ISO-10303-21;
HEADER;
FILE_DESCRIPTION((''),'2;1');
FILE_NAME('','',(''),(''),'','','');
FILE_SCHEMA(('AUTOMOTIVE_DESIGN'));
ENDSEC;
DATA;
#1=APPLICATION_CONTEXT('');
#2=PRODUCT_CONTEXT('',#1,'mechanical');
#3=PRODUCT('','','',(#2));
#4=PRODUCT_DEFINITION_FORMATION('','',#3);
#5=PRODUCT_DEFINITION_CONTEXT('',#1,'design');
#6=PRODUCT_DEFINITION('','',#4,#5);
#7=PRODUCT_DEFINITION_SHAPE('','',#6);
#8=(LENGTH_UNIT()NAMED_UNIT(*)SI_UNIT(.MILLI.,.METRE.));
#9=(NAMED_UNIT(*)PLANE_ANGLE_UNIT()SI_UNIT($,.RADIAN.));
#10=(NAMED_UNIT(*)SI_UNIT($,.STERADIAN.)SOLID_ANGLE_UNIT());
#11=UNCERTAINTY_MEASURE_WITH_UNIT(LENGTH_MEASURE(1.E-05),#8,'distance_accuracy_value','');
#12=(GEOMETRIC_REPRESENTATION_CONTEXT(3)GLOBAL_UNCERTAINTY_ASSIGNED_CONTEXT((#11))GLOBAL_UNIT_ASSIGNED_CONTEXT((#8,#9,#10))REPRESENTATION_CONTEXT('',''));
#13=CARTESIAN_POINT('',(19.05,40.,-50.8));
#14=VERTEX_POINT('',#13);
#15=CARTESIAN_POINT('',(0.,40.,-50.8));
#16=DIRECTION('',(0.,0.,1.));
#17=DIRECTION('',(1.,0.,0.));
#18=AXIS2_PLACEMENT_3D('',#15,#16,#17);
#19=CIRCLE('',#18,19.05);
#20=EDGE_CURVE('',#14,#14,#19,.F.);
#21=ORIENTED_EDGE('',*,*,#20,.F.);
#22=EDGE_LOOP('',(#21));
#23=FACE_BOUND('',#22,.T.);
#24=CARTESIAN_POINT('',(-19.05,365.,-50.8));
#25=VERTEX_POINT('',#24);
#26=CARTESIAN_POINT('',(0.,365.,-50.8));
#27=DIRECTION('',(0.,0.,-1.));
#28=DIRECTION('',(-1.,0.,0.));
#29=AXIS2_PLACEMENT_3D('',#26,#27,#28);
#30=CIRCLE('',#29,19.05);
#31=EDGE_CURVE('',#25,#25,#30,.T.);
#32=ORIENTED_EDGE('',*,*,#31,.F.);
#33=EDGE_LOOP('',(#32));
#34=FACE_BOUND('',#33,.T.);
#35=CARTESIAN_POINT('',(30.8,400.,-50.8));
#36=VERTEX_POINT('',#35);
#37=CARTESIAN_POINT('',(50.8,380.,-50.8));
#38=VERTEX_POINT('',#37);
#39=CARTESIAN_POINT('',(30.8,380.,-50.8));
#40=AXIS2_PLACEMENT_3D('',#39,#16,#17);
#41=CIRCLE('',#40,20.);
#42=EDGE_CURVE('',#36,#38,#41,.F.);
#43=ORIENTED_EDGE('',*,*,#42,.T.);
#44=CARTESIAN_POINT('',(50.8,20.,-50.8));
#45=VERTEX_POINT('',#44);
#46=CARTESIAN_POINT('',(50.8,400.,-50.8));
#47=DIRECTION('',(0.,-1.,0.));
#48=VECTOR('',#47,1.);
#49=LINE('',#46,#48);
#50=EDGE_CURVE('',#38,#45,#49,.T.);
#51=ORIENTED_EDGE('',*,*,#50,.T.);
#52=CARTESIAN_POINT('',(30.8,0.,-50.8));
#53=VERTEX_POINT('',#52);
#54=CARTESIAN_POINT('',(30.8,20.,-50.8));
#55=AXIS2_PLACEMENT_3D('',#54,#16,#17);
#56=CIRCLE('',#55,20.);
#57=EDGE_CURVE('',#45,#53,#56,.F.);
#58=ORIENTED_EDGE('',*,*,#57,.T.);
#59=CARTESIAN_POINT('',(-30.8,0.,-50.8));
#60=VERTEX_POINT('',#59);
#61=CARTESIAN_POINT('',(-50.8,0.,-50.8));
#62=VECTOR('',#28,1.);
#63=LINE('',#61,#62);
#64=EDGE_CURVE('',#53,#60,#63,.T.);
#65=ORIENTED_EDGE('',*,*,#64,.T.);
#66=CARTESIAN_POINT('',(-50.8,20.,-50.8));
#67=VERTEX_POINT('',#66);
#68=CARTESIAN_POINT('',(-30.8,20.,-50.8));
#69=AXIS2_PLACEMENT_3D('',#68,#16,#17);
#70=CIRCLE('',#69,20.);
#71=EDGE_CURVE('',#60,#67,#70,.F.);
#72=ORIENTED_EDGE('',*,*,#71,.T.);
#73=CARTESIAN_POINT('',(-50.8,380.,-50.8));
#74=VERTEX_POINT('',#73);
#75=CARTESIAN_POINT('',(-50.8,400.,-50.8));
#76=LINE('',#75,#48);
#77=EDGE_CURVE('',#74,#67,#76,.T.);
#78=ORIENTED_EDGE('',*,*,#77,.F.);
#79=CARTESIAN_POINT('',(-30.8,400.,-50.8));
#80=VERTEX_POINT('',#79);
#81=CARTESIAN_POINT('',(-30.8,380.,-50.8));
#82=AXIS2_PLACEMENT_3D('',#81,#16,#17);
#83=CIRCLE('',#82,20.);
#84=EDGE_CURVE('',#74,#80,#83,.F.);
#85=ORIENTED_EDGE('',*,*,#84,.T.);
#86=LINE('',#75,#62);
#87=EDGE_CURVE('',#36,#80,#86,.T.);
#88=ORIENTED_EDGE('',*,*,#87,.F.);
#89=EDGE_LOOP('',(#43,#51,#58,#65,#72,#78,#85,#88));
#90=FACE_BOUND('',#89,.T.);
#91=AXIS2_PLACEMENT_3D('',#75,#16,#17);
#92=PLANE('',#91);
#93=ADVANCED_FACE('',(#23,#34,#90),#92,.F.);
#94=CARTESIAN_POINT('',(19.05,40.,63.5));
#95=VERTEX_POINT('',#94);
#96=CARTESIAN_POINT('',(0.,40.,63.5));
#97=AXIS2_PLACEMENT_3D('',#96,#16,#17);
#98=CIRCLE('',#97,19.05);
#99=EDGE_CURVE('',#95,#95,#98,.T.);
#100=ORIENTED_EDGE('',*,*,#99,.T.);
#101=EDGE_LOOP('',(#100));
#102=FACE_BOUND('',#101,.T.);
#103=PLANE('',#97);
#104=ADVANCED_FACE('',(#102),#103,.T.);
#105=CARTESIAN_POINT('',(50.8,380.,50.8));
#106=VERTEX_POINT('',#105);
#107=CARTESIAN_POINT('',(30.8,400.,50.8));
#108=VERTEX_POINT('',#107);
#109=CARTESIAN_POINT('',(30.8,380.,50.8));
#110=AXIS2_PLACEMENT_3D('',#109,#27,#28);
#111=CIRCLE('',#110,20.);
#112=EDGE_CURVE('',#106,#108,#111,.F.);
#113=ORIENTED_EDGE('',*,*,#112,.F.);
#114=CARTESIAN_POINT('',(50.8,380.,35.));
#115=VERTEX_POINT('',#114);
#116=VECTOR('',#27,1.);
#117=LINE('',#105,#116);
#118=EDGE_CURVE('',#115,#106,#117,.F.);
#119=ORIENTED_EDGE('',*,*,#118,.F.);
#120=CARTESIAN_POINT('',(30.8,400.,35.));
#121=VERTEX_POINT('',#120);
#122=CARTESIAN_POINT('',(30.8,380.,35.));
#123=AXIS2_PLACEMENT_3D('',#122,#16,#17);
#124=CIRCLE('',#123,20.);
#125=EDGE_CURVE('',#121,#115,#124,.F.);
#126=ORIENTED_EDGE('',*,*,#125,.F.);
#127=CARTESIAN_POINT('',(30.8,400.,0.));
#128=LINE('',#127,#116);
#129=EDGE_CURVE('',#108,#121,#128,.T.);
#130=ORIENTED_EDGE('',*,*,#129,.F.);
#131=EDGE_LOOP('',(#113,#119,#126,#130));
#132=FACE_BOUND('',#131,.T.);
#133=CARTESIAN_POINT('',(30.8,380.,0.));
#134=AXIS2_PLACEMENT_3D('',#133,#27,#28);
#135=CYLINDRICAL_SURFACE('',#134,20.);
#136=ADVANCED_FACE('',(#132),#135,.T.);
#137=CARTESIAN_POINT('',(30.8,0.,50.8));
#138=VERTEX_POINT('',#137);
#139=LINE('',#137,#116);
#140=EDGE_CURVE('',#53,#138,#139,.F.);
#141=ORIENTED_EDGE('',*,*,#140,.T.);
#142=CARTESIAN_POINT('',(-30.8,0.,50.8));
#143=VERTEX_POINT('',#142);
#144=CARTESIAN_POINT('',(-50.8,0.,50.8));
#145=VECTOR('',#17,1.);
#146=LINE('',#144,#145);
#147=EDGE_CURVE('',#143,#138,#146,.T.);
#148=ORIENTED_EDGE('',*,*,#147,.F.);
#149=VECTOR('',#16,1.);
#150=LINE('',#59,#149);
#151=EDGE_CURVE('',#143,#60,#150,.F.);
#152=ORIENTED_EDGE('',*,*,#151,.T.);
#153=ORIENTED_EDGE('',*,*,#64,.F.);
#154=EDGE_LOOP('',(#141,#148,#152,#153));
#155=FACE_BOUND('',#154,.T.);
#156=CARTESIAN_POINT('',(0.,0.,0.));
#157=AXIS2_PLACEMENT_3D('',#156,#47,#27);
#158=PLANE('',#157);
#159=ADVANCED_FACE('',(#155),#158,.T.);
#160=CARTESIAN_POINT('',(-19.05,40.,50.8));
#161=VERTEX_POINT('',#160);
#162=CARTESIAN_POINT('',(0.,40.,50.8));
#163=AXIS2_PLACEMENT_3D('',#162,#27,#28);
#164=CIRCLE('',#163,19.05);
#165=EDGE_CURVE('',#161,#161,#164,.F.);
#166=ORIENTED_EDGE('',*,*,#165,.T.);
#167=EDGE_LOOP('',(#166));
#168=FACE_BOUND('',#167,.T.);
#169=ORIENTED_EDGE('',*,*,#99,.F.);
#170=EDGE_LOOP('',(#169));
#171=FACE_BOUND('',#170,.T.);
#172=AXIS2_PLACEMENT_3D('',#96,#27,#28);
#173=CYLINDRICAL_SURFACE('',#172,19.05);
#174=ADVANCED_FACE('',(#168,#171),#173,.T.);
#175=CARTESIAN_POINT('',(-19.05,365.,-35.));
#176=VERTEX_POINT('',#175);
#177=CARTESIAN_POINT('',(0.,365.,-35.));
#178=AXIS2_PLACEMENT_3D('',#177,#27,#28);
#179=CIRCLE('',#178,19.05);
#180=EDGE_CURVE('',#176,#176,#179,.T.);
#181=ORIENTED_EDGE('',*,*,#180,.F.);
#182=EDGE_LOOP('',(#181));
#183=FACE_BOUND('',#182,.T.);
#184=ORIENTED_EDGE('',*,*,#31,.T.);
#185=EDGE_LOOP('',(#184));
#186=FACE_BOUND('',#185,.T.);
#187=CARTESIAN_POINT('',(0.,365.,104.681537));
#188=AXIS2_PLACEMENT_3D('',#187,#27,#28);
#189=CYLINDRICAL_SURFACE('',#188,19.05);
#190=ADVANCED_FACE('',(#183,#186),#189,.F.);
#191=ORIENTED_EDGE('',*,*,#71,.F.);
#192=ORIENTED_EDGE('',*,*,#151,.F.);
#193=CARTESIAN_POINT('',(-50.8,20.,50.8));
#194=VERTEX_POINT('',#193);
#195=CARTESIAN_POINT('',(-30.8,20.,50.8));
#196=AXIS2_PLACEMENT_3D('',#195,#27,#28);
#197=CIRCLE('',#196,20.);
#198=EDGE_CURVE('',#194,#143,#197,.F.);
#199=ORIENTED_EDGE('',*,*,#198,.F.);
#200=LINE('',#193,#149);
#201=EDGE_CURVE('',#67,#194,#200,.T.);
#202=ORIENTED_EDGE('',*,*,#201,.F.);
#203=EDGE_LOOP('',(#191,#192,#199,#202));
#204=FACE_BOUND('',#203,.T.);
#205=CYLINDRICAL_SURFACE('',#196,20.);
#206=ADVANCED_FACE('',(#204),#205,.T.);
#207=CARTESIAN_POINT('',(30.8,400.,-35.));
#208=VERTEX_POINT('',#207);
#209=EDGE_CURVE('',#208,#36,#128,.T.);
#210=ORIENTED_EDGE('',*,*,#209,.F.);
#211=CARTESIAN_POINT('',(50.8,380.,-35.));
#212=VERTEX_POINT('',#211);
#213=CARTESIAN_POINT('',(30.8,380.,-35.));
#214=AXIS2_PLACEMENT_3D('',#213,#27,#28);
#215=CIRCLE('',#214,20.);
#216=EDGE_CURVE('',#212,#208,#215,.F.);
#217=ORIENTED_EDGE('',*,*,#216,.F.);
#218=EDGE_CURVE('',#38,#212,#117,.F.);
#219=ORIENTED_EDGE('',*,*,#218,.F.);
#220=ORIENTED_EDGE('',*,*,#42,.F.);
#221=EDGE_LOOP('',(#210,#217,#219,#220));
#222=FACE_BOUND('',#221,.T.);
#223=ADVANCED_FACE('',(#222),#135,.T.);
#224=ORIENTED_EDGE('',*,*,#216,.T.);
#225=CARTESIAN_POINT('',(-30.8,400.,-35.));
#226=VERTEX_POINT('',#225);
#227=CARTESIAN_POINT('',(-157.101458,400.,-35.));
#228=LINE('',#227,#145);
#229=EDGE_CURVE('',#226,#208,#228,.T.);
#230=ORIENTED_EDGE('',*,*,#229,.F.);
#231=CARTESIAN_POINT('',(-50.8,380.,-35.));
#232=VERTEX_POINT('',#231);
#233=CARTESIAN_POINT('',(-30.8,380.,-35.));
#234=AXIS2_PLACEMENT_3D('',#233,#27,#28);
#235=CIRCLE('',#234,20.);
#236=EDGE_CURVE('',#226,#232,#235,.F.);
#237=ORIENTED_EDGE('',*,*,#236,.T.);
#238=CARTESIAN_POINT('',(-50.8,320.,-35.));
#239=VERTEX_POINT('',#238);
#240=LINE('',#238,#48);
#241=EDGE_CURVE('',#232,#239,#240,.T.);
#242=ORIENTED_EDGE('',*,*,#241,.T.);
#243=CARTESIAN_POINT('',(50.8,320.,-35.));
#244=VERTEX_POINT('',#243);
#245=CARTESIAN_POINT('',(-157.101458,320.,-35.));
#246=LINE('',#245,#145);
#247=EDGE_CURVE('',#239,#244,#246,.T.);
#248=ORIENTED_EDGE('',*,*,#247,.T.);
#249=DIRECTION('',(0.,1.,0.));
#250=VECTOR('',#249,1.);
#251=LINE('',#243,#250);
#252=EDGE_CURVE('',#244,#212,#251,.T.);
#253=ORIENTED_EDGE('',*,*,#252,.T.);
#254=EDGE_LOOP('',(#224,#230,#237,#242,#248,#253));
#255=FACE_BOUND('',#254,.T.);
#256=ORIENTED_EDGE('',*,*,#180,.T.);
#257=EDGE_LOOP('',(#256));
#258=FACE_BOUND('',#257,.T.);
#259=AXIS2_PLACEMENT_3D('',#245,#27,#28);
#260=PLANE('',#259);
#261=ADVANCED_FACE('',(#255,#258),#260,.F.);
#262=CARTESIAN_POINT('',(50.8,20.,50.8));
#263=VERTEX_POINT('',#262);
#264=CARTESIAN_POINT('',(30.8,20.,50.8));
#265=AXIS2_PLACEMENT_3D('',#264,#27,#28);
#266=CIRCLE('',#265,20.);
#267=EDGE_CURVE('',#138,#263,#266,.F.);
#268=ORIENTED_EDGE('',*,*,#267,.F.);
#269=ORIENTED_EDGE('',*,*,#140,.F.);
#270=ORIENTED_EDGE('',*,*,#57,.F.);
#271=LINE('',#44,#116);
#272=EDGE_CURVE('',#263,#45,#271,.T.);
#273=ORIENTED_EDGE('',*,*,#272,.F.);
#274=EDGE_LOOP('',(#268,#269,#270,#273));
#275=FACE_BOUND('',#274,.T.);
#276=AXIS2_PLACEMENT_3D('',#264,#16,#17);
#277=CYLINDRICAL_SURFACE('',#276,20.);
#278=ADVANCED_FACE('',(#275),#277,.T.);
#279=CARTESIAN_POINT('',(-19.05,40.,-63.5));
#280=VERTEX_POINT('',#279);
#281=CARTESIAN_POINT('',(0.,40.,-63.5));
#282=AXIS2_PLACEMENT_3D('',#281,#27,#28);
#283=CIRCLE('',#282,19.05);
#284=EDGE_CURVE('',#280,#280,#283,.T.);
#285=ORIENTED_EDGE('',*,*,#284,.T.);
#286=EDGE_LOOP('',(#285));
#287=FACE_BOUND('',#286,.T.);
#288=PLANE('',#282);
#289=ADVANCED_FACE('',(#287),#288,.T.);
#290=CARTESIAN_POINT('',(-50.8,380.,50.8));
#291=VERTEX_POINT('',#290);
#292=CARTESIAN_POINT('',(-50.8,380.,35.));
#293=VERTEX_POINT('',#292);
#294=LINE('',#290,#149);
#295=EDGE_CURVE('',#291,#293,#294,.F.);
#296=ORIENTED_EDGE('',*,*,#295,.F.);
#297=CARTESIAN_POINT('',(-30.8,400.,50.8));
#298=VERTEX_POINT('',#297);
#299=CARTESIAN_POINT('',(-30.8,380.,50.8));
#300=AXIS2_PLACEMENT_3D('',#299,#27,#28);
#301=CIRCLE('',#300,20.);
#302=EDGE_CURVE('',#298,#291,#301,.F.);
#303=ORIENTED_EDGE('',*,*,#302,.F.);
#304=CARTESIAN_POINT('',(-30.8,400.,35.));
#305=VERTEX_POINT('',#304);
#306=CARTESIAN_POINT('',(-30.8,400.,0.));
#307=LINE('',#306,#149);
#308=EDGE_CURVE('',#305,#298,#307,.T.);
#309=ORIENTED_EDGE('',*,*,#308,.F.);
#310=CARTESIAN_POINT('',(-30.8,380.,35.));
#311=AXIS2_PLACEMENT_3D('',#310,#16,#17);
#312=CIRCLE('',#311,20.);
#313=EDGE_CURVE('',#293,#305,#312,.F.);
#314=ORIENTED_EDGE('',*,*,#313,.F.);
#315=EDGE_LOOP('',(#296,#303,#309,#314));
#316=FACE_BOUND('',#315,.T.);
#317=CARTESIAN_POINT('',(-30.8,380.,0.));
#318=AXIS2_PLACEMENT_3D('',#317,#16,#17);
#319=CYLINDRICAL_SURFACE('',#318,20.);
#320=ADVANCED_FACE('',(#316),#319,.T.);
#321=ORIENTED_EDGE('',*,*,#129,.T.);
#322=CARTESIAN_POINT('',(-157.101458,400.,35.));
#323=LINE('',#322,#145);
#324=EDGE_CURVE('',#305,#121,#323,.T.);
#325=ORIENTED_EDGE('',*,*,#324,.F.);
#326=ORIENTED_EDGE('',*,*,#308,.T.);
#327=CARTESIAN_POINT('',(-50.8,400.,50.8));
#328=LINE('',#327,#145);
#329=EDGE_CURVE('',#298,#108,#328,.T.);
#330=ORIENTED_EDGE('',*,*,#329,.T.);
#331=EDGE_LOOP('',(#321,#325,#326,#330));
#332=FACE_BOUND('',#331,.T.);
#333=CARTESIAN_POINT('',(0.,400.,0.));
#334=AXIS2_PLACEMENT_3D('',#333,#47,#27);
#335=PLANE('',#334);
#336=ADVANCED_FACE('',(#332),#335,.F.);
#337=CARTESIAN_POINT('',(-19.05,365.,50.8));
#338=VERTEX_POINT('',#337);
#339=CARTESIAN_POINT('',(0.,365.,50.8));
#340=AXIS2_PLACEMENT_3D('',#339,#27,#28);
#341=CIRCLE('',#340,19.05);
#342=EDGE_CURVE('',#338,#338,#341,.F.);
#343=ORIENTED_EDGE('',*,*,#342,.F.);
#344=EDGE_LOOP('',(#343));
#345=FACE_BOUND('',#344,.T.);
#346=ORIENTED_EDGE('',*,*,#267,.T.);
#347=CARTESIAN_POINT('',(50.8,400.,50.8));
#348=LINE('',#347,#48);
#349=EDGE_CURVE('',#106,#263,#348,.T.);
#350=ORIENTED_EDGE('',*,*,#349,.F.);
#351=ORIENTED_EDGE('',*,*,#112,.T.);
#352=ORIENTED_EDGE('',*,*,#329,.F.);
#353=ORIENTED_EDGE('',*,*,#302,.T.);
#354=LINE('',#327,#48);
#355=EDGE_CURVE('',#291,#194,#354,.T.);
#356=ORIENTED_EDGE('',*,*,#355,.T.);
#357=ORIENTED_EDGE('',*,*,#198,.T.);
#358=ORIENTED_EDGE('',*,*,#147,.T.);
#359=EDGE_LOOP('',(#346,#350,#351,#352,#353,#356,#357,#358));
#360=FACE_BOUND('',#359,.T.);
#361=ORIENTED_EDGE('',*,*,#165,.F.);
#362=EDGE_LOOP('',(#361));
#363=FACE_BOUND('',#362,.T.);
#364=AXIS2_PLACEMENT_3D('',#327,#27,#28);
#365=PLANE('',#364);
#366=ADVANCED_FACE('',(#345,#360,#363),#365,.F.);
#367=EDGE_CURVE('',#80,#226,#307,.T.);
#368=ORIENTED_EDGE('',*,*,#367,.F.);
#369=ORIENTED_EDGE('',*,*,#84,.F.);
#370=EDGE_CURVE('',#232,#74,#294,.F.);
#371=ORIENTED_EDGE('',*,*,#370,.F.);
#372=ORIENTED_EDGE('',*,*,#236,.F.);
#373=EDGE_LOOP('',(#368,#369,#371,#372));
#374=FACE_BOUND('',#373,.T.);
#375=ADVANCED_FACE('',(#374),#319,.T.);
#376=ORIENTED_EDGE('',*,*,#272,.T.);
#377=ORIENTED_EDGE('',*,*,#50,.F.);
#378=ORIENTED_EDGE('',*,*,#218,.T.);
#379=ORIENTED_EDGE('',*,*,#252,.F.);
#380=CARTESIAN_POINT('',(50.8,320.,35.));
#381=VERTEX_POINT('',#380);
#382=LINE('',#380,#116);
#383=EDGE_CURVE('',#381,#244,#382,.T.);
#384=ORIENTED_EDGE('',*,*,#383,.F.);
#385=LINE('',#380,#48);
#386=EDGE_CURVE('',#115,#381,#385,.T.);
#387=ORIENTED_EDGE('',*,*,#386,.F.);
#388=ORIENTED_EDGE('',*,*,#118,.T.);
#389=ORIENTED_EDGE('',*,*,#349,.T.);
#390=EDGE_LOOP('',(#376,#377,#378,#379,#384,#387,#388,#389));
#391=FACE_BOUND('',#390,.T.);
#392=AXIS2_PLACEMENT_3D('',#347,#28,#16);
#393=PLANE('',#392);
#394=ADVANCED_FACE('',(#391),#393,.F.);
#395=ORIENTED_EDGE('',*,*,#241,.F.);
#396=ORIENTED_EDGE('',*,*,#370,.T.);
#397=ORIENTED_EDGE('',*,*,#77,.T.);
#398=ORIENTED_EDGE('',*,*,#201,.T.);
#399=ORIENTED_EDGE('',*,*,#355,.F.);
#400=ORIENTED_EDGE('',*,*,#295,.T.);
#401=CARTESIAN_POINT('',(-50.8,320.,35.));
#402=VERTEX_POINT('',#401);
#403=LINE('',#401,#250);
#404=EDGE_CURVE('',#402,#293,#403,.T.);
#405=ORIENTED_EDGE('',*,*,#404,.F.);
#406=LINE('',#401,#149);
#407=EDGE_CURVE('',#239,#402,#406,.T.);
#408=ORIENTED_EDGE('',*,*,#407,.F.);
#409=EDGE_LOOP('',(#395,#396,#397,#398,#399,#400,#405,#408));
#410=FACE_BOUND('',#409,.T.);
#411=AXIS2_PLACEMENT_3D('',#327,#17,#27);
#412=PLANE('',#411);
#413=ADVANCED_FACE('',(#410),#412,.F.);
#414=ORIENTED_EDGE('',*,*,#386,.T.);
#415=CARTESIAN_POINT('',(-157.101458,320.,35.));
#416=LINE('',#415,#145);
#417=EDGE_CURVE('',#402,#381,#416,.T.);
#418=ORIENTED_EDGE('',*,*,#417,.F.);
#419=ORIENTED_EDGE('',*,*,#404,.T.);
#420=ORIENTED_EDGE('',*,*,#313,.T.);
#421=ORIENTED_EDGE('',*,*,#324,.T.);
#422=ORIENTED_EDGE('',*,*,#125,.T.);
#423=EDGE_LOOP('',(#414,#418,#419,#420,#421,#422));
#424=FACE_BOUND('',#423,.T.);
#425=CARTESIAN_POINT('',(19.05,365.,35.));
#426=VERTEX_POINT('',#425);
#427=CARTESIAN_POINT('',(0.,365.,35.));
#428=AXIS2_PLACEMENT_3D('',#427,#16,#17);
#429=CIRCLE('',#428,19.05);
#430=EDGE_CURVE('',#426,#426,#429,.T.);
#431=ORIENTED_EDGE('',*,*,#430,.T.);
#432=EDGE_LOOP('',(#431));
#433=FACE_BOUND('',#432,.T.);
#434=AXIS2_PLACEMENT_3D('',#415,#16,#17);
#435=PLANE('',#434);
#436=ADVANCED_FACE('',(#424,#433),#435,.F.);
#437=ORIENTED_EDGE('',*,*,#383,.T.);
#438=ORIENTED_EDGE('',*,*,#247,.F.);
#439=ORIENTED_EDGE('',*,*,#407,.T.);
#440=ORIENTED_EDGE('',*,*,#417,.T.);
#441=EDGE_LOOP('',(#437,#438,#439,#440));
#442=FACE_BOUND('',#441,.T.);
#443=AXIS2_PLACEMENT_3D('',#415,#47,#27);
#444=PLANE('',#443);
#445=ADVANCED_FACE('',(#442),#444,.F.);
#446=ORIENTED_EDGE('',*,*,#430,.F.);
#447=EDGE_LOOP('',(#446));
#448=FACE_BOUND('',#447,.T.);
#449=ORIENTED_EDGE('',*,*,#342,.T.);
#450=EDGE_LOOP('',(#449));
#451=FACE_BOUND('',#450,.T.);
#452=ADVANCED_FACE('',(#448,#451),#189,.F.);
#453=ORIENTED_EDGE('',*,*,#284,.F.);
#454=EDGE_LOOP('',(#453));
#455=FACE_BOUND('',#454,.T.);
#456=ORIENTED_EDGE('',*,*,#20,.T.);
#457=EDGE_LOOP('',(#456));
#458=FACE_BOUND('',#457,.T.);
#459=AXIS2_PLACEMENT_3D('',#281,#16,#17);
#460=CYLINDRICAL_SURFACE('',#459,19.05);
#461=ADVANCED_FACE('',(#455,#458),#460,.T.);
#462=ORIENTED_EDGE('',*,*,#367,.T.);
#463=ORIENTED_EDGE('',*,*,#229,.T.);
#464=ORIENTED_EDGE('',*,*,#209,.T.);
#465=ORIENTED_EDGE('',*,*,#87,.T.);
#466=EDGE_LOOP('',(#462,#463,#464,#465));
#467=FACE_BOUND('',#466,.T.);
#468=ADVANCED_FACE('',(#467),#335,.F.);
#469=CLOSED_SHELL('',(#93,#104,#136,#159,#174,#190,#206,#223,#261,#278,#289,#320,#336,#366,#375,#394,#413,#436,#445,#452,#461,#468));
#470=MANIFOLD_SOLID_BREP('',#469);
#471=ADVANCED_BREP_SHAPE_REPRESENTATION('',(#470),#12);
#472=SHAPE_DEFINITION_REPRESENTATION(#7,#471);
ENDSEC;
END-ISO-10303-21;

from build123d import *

# Parameters (mm, degrees)
CROQUIS1_W              = 101.6
CROQUIS1_H              = 101.6
SALIENTE_EXTRUIR1_DEPTH = 400
CROQUIS2_R              = 19.05
SALIENTE_EXTRUIR2_DEPTH = 12.7
SALIENTE_EXTRUIR3_START = 12.7
CROQUIS3_R              = 19.05
SALIENTE_EXTRUIR3_DEPTH = 12.7
REDONDEO1_R             = 20
CROQUIS5_W              = 70
CROQUIS5_H              = 80
CORTAR_EXTRUIR1_DEPTH   = 101.6
CORTAR_EXTRUIR2_REACH   = 421.1
CROQUIS6_R              = 19.05
REDONDEO2_R             = 20


with BuildPart() as part:
    # Croquis1 → Saliente-Extruir1 (new body)
    with BuildSketch(Plane(origin=(0, 0, 0), x_dir=(1, 0, 0), z_dir=(0, 1, 0))):
        Rectangle(CROQUIS1_W, CROQUIS1_H)
    extrude(amount=SALIENTE_EXTRUIR1_DEPTH)

    # Croquis2 → Saliente-Extruir2 (add)
    with BuildSketch(Plane.XY.offset(50.8)):
        with Locations(Location((0, 40, 0), (0, 0, 180))):
            Circle(CROQUIS2_R)
    extrude(amount=SALIENTE_EXTRUIR2_DEPTH)

    # Croquis3 → Saliente-Extruir3 (add)
    with BuildSketch(Plane(origin=(0, 0, -50.8), x_dir=(-1, 0, 0), z_dir=(0, 0, -1)).offset(SALIENTE_EXTRUIR3_START)):
        with Locations((0, 40)):
            Circle(CROQUIS3_R)
    extrude(amount=-SALIENTE_EXTRUIR3_DEPTH)

    # Redondeo1
    redondeo1_edges = [part.edges().sort_by_distance(p)[0] for p in [
        (-50.8, 0, 0),
        (50.8, 0, 0),
    ]]
    fillet(redondeo1_edges, radius=REDONDEO1_R)

    # Croquis5 → Cortar-Extruir1 (cut)
    with BuildSketch(Plane(origin=(50.8, 0, 0), x_dir=(0, 0, -1), z_dir=(1, 0, 0))):
        with Locations((0, 360)):
            Rectangle(CROQUIS5_W, CROQUIS5_H)
    extrude(amount=-CORTAR_EXTRUIR1_DEPTH, mode=Mode.SUBTRACT)

    # Cortar-Extruir2: up to this face of the body (flat: up to its plane)
    cortar_extruir2_end = Plane(part.part.faces().sort_by_distance((0, 205.491832247, 50.8))[0])
    # Croquis6 → Cortar-Extruir2 (cut, up to the picked face)
    with BuildSketch(Plane(origin=(0, 0, -50.8), x_dir=(-1, 0, 0), z_dir=(0, 0, -1)), mode=Mode.PRIVATE) as cortar_extruir2_sk1:
        with Locations((0, 365)):
            Circle(CROQUIS6_R)
    cortar_extruir2_tool1 = split(extrude(cortar_extruir2_sk1.sketch, amount=-CORTAR_EXTRUIR2_REACH, mode=Mode.PRIVATE), bisect_by=cortar_extruir2_end, keep=Keep.BOTH, mode=Mode.PRIVATE)
    add(cortar_extruir2_tool1.solids().sort_by(Axis((0, 365, -50.8), (0, 0, 1)))[0], mode=Mode.SUBTRACT)

    # Redondeo2
    redondeo2_edges = [part.edges().sort_by_distance(p)[0] for p in [
        (-50.8, 400, -42.9),
        (50.8, 400, -42.9),
        (-50.8, 400, 42.9),
        (50.8, 400, 42.9),
    ]]
    fillet(redondeo2_edges, radius=REDONDEO2_R)


solid = part.part
